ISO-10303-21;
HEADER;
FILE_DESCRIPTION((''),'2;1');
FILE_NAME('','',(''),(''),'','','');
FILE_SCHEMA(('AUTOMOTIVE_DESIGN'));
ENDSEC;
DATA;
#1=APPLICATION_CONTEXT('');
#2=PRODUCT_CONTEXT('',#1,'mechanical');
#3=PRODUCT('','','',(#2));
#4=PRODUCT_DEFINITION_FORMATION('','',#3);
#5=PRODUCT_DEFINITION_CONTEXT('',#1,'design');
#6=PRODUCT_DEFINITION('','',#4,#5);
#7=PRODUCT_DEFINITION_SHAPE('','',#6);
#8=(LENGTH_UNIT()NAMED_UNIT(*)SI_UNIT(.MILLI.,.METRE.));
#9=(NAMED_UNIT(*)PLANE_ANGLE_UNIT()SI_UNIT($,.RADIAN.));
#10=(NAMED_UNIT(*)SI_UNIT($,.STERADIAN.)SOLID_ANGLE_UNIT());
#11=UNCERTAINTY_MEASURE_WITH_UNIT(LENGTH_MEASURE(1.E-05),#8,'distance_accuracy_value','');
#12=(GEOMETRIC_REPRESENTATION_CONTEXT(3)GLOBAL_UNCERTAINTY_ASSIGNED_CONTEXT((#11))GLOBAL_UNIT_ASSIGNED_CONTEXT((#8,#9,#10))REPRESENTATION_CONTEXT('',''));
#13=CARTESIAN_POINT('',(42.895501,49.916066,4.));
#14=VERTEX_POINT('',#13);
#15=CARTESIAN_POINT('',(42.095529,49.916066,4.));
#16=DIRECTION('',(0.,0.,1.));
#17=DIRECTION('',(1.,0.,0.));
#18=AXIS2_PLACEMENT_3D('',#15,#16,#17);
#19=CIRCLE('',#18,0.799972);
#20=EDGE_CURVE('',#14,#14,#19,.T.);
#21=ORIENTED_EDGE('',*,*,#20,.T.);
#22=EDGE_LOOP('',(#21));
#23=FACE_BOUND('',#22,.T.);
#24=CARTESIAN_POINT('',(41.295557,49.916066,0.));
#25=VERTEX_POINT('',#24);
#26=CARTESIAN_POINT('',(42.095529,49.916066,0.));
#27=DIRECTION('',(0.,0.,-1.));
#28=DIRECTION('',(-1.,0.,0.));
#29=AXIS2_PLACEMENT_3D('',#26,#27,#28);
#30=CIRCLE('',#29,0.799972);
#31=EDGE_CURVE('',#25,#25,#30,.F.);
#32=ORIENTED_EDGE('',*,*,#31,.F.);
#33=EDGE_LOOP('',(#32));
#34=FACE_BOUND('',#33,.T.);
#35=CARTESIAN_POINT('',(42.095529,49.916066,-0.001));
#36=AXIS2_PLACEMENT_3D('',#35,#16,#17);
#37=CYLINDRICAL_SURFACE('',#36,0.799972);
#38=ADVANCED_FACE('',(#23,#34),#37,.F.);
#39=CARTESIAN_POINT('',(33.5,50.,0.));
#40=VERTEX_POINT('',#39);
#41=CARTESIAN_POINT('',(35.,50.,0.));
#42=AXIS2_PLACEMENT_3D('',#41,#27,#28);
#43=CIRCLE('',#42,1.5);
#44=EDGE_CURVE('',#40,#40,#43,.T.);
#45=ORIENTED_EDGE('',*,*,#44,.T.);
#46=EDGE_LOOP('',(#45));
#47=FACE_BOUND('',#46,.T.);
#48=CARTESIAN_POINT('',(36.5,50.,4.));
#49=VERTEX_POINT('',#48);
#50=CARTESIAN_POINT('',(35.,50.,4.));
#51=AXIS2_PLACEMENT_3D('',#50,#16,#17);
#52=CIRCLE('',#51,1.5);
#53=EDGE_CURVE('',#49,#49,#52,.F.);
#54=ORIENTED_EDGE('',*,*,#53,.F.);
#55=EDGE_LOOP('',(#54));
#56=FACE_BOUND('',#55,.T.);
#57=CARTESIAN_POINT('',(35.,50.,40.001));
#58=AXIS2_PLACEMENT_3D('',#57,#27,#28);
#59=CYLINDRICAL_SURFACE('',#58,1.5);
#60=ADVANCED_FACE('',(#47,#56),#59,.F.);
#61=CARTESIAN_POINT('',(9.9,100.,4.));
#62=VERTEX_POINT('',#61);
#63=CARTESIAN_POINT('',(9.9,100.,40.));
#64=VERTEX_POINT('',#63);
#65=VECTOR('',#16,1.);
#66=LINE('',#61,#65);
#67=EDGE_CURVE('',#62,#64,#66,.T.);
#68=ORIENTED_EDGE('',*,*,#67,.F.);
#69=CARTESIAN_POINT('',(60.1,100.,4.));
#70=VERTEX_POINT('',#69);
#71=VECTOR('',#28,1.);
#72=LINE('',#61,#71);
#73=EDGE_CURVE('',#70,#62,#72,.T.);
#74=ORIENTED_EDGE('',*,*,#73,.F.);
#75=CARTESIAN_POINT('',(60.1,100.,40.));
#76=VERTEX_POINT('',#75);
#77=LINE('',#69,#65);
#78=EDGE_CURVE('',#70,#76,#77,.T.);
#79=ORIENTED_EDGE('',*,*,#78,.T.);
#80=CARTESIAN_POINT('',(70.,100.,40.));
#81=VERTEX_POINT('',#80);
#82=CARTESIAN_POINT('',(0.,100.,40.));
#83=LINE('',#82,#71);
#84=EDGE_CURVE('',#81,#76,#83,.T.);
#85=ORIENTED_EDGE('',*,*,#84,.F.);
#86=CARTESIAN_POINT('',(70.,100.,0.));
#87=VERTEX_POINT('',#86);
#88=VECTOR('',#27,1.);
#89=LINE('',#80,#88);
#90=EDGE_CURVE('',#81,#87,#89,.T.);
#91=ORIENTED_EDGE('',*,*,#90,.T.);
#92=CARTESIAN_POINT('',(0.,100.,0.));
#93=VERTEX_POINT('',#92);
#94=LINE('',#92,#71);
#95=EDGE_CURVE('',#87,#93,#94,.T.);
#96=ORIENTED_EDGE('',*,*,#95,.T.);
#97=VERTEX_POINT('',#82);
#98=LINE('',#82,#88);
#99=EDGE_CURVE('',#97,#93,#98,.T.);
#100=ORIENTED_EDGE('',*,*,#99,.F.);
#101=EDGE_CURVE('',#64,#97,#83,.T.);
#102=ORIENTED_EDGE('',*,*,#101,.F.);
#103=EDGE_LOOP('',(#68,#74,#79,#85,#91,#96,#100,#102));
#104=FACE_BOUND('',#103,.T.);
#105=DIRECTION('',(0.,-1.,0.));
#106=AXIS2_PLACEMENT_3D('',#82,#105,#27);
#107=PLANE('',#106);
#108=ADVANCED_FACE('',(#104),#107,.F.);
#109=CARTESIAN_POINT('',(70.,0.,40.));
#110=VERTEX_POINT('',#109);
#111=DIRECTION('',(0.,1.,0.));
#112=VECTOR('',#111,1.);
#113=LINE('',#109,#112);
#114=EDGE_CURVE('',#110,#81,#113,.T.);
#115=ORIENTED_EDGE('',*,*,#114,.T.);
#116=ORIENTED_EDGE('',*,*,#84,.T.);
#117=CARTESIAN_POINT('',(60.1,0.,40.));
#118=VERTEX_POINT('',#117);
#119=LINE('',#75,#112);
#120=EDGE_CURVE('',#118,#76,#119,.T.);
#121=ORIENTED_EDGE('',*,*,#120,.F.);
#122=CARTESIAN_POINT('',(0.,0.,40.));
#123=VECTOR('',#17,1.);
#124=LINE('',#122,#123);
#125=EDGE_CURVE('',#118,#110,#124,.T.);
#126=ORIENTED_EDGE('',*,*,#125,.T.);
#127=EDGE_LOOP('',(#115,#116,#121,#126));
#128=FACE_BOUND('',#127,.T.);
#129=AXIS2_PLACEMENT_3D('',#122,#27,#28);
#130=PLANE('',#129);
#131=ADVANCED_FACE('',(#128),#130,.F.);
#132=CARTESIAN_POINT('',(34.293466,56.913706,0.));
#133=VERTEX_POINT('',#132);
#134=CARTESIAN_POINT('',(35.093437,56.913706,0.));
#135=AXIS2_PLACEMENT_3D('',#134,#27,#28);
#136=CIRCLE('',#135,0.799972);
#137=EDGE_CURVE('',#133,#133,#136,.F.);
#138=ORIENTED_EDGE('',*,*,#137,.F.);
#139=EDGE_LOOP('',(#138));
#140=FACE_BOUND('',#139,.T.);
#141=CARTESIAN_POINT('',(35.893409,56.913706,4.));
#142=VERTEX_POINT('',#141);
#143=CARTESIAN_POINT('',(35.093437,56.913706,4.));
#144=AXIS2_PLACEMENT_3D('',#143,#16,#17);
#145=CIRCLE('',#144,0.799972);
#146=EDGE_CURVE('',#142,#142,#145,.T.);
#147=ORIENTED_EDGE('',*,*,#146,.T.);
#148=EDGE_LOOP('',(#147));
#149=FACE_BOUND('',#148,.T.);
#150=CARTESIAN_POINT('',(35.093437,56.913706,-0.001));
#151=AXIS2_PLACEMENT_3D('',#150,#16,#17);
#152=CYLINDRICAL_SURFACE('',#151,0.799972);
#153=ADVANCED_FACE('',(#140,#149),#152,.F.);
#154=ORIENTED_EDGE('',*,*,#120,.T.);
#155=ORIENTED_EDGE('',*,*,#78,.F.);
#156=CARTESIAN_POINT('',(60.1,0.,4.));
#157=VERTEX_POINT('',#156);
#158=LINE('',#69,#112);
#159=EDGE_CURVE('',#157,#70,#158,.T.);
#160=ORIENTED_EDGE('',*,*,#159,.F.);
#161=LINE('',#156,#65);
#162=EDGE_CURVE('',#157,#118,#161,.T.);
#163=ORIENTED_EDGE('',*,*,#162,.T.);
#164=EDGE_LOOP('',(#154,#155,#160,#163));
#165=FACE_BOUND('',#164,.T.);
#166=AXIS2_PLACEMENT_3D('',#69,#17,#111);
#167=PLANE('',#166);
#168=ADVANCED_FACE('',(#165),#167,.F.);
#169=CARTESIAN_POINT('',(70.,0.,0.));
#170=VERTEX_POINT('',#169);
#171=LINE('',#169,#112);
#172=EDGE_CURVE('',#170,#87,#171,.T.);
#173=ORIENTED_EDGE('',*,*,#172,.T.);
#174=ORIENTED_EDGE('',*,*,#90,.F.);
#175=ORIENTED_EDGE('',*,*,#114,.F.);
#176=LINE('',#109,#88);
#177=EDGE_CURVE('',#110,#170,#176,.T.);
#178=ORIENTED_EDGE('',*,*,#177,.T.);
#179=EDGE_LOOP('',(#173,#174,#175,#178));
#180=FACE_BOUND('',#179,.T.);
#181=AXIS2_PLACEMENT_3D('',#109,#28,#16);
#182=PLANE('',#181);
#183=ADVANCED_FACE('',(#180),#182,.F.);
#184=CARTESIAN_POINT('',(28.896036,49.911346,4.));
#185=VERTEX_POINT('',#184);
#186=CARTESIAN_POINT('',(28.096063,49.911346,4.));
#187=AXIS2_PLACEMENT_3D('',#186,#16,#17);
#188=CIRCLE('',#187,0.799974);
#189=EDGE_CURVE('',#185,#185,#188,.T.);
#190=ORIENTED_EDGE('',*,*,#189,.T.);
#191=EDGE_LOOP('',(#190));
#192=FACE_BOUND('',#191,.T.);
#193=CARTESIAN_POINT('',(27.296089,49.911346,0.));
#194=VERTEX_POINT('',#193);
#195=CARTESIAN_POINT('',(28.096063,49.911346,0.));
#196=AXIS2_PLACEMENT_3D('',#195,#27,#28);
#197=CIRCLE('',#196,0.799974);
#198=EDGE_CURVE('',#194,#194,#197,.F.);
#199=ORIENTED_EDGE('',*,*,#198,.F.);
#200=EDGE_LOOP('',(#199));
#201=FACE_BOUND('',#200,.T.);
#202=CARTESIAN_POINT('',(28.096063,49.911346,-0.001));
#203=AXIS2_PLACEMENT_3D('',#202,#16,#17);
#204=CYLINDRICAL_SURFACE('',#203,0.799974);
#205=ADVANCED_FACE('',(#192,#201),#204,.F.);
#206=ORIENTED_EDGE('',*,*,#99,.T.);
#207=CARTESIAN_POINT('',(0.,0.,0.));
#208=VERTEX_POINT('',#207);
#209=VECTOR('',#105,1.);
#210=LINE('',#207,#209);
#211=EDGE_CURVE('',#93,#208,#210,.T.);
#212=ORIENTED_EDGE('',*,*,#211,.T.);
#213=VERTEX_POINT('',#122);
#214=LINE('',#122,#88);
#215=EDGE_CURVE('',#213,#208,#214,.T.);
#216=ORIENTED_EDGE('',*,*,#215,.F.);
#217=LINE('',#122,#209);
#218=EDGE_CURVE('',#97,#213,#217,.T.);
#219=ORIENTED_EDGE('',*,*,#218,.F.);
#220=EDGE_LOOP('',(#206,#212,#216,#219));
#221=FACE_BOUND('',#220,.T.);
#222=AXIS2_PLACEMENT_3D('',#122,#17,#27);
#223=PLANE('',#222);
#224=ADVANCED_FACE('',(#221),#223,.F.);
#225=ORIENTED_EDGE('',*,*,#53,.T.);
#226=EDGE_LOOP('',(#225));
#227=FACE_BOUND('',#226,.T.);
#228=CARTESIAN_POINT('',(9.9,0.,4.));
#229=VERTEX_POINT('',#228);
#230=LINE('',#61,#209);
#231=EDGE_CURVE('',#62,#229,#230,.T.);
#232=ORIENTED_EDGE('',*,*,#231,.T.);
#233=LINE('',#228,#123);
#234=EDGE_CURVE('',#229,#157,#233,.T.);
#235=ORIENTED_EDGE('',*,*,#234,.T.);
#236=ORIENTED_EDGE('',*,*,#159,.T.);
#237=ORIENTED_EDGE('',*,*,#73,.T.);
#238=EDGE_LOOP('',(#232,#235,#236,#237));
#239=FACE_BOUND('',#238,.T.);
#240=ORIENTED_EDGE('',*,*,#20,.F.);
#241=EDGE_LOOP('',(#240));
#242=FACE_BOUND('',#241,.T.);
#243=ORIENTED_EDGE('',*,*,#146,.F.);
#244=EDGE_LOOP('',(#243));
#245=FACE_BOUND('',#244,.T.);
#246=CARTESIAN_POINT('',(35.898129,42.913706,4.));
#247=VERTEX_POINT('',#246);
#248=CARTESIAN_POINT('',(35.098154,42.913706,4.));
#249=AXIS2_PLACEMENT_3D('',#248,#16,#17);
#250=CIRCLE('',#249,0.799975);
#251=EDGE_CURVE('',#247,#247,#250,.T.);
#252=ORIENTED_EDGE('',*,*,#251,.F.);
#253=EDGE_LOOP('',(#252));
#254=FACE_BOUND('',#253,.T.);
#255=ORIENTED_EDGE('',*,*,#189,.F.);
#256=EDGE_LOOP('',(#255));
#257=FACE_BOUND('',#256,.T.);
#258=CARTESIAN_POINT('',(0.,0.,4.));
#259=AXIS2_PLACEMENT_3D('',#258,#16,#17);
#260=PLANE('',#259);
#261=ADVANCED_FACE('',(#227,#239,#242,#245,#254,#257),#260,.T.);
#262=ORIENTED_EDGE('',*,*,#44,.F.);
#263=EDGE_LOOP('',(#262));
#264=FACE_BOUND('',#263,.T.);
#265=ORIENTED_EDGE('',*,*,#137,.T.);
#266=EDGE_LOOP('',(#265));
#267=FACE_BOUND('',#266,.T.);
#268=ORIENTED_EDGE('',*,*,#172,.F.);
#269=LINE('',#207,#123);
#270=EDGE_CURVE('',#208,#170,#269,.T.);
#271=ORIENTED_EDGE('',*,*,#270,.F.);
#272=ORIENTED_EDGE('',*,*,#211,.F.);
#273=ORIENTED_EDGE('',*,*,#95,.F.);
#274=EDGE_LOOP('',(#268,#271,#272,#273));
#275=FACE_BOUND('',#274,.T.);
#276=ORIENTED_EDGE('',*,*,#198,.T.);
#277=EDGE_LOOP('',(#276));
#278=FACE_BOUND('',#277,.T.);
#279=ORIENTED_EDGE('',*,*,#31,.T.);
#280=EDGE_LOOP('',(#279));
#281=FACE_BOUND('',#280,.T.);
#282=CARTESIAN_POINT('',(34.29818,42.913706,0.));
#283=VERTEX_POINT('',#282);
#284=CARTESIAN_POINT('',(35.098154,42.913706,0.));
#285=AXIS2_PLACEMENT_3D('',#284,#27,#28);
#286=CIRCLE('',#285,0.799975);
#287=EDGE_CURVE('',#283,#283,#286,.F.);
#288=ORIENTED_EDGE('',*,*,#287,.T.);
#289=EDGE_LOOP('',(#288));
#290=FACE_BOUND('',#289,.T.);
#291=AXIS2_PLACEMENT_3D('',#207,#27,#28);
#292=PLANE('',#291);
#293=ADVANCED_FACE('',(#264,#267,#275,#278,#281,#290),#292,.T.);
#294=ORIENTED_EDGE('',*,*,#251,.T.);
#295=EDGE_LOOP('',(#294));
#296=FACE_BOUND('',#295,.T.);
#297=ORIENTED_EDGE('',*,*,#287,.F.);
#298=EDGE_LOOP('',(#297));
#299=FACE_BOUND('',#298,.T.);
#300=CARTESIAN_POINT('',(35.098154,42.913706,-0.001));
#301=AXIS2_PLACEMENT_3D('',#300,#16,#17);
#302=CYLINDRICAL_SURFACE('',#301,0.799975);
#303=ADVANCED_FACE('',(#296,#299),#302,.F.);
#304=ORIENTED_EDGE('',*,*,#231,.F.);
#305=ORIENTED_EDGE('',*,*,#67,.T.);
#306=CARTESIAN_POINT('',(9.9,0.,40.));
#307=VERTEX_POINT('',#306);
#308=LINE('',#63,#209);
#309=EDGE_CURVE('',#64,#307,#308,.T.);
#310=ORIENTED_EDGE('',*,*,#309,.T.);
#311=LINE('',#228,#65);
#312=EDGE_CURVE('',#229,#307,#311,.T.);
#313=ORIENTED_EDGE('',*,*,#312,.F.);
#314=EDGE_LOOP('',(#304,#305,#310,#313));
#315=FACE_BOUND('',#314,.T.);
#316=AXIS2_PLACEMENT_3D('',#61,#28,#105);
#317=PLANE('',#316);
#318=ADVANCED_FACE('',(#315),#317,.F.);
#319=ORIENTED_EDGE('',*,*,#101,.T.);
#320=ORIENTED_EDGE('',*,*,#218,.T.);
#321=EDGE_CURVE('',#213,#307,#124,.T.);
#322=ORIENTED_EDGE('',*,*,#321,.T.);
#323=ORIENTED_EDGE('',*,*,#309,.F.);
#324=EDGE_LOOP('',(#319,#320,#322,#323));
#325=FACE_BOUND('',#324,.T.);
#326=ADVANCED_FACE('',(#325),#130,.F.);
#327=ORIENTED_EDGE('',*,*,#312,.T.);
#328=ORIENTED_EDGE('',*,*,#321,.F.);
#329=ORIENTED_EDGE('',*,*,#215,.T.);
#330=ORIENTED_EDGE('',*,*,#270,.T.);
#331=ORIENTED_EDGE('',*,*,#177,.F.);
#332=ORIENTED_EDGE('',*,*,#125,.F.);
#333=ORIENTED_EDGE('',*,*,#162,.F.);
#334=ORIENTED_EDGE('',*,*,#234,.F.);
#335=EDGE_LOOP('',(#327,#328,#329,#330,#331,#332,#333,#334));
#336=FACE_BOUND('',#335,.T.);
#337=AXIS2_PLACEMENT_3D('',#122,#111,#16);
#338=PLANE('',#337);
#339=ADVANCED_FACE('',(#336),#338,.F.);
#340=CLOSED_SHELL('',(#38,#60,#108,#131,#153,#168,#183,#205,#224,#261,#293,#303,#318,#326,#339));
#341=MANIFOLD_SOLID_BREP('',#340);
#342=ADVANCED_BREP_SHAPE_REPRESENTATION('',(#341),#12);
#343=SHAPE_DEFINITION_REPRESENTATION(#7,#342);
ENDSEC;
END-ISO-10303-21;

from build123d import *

# Parameters (mm, degrees)
SKETCH_1_W          = 70
SKETCH_1_H          = 100
EXTRUDE_1_DEPTH     = 40
SKETCH_2_W          = 50.2
SKETCH_2_H          = 100
CUT_EXTRUDE_1_DEPTH = 36
CUT_EXTRUDE_2_REACH = 130.452
SKETCH_3_R          = 1.5
CUT_EXTRUDE_4_REACH = 129.264
SKETCH_6_R          = 0.799974648
SKETCH_6_R_2        = 0.799973527
SKETCH_6_R_3        = 0.799971754
SKETCH_6_R_4        = 0.799972464


with BuildPart() as part:
    # 草图1 → 凸台-拉伸1 (new body)
    with BuildSketch(Plane.XY):
        with Locations((35, 50)):
            Rectangle(SKETCH_1_W, SKETCH_1_H)
    extrude(amount=EXTRUDE_1_DEPTH)

    # 草图2 → 切除-拉伸1 (cut)
    with BuildSketch(Plane.XY.offset(40)):
        with Locations((35, 50)):
            Rectangle(SKETCH_2_W, SKETCH_2_H)
    extrude(amount=-CUT_EXTRUDE_1_DEPTH, mode=Mode.SUBTRACT)

    # 草图3 → 切除-拉伸2 (cut, up to next)
    with BuildSketch(Plane(origin=(0, 0, 0), x_dir=(-1, 0, 0), z_dir=(0, 0, -1)), mode=Mode.PRIVATE) as cut_extrude_2_sk1:
        with Locations((-35, 50)):
            Circle(SKETCH_3_R)
    cut_extrude_2_tool1 = extrude(cut_extrude_2_sk1.sketch, amount=-CUT_EXTRUDE_2_REACH, mode=Mode.PRIVATE) & part.part
    add(cut_extrude_2_tool1.solids().sort_by_distance((35, 50, 0))[0], mode=Mode.SUBTRACT)

    # 草图6 → 切除-拉伸4 (cut, up to next)
    with BuildSketch(Plane.XY.offset(4), mode=Mode.PRIVATE) as cut_extrude_4_sk1:
        with Locations((35.098154463, 42.913706308)):
            Circle(SKETCH_6_R)
    cut_extrude_4_tool1 = extrude(cut_extrude_4_sk1.sketch, amount=-CUT_EXTRUDE_4_REACH, mode=Mode.PRIVATE) & part.part
    # 草图6 → 切除-拉伸4 (cut, up to next)
    with BuildSketch(Plane.XY.offset(4), mode=Mode.PRIVATE) as cut_extrude_4_sk2:
        with Locations((28.096062907, 49.911346021)):
            Circle(SKETCH_6_R_2)
    cut_extrude_4_tool2 = extrude(cut_extrude_4_sk2.sketch, amount=-CUT_EXTRUDE_4_REACH, mode=Mode.PRIVATE) & part.part
    # 草图6 → 切除-拉伸4 (cut, up to next)
    with BuildSketch(Plane.XY.offset(4), mode=Mode.PRIVATE) as cut_extrude_4_sk3:
        with Locations((35.09343748, 56.91370551)):
            Circle(SKETCH_6_R_3)
    cut_extrude_4_tool3 = extrude(cut_extrude_4_sk3.sketch, amount=-CUT_EXTRUDE_4_REACH, mode=Mode.PRIVATE) & part.part
    # 草图6 → 切除-拉伸4 (cut, up to next)
    with BuildSketch(Plane.XY.offset(4), mode=Mode.PRIVATE) as cut_extrude_4_sk4:
        with Locations((42.095529036, 49.916065797)):
            Circle(SKETCH_6_R_4)
    cut_extrude_4_tool4 = extrude(cut_extrude_4_sk4.sketch, amount=-CUT_EXTRUDE_4_REACH, mode=Mode.PRIVATE) & part.part
    add(cut_extrude_4_tool1.solids().sort_by_distance((35.098154, 42.913706, 4))[0], mode=Mode.SUBTRACT)
    add(cut_extrude_4_tool2.solids().sort_by_distance((28.096063, 49.911346, 4))[0], mode=Mode.SUBTRACT)
    add(cut_extrude_4_tool3.solids().sort_by_distance((35.093437, 56.913706, 4))[0], mode=Mode.SUBTRACT)
    add(cut_extrude_4_tool4.solids().sort_by_distance((42.095529, 49.916066, 4))[0], mode=Mode.SUBTRACT)


solid = part.part
